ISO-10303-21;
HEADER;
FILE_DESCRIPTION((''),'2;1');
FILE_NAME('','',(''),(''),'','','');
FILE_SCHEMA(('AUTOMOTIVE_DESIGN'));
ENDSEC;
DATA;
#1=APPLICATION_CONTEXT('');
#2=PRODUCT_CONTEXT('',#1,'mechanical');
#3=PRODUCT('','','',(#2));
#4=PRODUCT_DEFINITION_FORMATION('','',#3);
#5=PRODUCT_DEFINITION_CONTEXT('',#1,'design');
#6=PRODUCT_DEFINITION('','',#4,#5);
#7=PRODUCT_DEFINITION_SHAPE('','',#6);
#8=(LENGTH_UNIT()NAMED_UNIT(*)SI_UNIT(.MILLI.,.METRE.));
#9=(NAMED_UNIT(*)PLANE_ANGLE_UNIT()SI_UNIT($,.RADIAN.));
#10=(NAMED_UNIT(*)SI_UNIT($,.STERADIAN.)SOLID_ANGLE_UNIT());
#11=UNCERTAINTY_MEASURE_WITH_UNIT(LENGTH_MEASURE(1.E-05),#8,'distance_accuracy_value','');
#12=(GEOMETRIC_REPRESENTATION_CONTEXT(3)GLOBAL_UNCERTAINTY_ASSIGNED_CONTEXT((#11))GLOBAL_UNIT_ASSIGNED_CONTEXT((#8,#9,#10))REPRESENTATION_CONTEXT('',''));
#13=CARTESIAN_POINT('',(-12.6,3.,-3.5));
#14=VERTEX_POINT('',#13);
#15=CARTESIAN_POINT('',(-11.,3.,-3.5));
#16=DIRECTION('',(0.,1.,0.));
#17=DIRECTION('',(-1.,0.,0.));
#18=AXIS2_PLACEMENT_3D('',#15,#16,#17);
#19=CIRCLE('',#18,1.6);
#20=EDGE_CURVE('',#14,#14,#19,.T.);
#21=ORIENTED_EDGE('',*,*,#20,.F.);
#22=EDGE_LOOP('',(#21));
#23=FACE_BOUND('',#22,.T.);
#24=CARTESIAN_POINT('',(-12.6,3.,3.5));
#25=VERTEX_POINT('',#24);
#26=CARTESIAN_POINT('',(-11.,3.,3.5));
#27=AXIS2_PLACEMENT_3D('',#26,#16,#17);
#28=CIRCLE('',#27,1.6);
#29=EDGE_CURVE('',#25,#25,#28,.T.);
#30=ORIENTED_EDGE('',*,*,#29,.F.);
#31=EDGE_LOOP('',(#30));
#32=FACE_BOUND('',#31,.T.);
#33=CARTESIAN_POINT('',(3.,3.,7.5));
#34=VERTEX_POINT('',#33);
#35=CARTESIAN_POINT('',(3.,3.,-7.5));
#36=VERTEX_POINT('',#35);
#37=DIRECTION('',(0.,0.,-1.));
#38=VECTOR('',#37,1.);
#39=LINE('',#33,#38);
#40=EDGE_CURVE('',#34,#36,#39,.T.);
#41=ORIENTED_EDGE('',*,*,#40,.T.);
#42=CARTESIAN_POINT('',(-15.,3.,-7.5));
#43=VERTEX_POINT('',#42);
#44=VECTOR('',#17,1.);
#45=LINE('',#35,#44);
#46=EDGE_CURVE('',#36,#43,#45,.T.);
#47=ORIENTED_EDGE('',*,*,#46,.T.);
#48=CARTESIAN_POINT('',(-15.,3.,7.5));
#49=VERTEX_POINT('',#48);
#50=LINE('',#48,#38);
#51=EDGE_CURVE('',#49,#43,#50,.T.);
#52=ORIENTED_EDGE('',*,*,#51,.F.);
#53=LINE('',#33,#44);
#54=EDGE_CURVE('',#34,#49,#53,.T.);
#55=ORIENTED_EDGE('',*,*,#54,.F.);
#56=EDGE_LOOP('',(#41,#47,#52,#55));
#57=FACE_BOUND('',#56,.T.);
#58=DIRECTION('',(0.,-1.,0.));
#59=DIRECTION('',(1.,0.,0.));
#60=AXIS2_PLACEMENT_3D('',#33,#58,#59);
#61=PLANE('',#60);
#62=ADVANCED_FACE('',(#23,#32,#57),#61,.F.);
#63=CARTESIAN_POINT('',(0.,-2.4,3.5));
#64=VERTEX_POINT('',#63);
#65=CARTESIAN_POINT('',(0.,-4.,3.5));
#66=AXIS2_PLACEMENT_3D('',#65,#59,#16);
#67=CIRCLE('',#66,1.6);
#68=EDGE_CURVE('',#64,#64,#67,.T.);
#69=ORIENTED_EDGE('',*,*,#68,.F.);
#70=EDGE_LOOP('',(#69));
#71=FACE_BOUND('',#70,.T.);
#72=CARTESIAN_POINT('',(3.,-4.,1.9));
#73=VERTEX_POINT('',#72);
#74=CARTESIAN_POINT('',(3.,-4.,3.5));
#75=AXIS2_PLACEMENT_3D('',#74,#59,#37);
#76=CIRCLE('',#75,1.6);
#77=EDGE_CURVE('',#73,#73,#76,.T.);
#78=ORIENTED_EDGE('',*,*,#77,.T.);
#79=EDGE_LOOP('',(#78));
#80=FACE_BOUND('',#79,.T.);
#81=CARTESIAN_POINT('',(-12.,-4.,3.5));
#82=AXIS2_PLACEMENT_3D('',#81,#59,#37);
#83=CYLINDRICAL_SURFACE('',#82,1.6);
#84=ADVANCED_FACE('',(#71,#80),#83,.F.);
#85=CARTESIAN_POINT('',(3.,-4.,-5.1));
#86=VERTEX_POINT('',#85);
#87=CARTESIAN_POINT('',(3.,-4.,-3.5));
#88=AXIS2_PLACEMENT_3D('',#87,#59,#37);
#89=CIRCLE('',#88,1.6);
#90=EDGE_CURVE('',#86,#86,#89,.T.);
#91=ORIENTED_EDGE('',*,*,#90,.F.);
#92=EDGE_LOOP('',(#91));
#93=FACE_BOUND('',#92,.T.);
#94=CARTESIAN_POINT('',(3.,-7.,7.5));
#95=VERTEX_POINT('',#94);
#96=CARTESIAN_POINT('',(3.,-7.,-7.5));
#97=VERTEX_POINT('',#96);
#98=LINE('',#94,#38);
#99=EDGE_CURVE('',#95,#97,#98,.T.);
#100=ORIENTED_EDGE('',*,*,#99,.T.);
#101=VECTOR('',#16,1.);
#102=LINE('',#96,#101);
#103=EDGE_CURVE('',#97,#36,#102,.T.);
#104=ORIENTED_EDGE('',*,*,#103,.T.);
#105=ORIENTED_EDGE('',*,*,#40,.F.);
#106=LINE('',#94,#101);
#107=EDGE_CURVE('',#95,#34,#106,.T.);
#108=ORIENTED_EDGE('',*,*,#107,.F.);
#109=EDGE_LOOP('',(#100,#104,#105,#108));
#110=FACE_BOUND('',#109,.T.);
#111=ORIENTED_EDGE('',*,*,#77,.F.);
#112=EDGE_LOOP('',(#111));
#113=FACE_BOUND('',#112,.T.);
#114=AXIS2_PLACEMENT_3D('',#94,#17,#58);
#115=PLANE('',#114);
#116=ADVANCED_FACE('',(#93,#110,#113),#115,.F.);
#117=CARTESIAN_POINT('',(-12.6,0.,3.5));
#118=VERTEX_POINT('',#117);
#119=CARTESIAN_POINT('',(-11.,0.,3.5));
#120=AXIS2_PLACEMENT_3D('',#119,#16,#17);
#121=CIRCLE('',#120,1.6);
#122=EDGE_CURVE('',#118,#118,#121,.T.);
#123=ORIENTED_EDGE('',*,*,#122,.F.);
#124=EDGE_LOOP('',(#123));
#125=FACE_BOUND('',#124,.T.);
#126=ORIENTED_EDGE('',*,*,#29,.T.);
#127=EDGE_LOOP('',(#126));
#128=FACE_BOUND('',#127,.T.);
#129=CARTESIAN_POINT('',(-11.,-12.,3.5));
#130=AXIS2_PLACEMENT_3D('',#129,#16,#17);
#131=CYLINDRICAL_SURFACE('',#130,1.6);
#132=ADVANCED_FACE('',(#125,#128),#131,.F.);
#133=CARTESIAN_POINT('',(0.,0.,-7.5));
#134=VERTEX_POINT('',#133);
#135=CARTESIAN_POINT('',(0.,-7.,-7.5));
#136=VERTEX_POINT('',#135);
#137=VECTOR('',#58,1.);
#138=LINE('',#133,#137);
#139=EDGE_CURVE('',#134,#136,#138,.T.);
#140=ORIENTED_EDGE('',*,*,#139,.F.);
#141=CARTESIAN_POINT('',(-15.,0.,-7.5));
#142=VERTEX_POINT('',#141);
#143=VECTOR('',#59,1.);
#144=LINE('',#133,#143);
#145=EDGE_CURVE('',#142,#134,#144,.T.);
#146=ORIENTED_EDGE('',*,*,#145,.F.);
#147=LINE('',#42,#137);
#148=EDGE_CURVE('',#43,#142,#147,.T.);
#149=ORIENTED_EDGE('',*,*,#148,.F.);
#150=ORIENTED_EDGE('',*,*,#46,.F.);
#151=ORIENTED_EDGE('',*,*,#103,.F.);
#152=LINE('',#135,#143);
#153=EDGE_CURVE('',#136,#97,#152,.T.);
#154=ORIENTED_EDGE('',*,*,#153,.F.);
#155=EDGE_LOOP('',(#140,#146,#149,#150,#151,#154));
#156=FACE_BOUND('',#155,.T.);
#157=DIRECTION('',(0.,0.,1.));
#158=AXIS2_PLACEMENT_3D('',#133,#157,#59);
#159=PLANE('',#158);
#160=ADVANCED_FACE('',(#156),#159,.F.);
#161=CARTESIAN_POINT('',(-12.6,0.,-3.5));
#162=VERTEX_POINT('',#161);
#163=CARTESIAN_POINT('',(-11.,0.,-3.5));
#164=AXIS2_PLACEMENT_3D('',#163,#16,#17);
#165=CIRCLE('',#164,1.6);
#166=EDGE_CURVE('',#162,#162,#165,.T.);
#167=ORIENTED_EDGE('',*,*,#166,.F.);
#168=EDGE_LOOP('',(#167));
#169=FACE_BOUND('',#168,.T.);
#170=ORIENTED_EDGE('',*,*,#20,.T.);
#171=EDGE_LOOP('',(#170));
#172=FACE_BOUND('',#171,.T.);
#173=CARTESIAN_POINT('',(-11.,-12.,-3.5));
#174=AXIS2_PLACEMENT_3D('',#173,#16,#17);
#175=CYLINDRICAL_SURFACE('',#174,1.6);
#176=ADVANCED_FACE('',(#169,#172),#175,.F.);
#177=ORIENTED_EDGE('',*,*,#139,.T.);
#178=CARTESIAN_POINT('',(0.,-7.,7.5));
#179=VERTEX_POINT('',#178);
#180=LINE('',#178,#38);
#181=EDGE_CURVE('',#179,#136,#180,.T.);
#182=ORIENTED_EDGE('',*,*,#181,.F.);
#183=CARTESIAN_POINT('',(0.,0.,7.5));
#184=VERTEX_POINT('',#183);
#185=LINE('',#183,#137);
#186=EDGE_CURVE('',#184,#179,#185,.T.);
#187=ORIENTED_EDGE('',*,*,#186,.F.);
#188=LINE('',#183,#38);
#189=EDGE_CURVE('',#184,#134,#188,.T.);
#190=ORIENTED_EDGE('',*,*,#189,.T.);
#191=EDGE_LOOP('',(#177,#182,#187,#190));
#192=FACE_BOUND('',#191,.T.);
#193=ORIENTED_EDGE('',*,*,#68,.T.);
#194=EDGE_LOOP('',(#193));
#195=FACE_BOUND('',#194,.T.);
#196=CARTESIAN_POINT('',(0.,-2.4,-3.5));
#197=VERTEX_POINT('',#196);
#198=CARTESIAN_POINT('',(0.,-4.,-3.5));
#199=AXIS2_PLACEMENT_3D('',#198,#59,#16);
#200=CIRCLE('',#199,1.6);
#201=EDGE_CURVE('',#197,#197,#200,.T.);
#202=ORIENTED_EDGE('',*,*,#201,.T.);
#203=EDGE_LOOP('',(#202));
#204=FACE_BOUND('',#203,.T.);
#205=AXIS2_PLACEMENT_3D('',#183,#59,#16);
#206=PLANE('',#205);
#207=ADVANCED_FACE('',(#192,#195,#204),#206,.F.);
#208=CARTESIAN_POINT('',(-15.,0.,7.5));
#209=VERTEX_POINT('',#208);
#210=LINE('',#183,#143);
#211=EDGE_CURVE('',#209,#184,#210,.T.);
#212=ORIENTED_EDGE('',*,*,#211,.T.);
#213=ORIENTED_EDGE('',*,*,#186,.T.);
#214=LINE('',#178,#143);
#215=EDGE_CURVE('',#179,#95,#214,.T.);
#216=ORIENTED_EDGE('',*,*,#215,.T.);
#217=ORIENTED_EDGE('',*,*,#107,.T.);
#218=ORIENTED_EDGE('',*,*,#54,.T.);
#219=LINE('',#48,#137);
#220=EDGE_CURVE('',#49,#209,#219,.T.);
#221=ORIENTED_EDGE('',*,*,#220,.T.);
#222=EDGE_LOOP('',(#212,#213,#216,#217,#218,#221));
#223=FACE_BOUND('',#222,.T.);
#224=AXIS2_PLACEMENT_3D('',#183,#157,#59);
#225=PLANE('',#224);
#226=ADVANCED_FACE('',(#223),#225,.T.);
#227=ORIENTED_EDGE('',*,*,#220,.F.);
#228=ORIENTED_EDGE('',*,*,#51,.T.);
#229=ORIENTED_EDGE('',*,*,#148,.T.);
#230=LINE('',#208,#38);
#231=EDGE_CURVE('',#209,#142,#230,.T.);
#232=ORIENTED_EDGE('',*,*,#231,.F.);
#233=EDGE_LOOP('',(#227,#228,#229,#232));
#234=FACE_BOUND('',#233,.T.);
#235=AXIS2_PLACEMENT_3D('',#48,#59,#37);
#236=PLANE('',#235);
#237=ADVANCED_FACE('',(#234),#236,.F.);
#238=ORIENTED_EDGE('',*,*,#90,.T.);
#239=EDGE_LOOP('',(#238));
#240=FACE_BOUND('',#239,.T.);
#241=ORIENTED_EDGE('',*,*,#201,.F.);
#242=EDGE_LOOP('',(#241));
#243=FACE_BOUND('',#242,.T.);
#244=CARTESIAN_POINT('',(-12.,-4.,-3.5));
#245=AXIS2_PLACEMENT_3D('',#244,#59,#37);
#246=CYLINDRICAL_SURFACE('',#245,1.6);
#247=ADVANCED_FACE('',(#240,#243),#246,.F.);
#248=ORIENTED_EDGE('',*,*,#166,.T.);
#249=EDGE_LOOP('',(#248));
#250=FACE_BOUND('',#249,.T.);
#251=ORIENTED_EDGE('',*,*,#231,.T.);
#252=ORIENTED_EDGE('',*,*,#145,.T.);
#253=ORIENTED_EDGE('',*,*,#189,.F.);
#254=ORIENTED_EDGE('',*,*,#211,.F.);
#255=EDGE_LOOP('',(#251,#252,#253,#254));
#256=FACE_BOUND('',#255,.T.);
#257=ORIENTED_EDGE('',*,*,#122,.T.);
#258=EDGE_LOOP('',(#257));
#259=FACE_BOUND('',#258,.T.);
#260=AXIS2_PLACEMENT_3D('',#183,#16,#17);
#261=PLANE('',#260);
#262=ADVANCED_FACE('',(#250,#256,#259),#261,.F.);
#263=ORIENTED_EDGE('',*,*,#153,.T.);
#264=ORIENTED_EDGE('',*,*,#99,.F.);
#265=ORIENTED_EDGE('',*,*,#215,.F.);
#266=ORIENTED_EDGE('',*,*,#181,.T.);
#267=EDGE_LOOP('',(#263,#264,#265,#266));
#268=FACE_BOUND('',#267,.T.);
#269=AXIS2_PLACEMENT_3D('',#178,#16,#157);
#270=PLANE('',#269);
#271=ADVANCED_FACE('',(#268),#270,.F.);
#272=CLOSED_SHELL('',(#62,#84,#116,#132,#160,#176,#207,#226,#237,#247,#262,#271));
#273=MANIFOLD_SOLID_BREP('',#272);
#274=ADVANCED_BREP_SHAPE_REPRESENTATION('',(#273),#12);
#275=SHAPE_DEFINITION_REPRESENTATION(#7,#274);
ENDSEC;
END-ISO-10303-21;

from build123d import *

# Parameters (mm, degrees)
BOSS_EXTRUDE1_DEPTH = 7.5
SKETCH2_R           = 1.6
CUT_EXTRUDE1_DEPTH  = 15
SKETCH3_R           = 1.6
CUT_EXTRUDE2_DEPTH  = 15


with BuildPart() as part:
    # Sketch1 → Boss-Extrude1 (new, symmetric)
    with BuildSketch(Plane.XY):
        Polygon((0, 0), (-15, 0), (-15, 3), (3, 3), (3, -7), (0, -7), align=None)
    extrude(amount=BOSS_EXTRUDE1_DEPTH, both=True)

    # Sketch2 → Cut-Extrude1 (cut)
    with BuildSketch(Plane(origin=(0, 3, 0), x_dir=(1, 0, 0), z_dir=(0, 1, 0))):
        with Locations(Location((-11, 3.5, 0), (0, 0, 180))):
            Circle(SKETCH2_R)
        with Locations(Location((-11, -3.5, 0), (0, 0, 180))):
            Circle(SKETCH2_R)
    extrude(amount=-CUT_EXTRUDE1_DEPTH, mode=Mode.SUBTRACT)

    # Sketch3 → Cut-Extrude2 (cut)
    with BuildSketch(Plane(origin=(3, 0, 0), x_dir=(0, 0, -1), z_dir=(1, 0, 0))):
        with Locations((-3.5, -4)):
            Circle(SKETCH3_R)
        with Locations((3.5, -4)):
            Circle(SKETCH3_R)
    extrude(amount=-CUT_EXTRUDE2_DEPTH, mode=Mode.SUBTRACT)


solid = part.part
